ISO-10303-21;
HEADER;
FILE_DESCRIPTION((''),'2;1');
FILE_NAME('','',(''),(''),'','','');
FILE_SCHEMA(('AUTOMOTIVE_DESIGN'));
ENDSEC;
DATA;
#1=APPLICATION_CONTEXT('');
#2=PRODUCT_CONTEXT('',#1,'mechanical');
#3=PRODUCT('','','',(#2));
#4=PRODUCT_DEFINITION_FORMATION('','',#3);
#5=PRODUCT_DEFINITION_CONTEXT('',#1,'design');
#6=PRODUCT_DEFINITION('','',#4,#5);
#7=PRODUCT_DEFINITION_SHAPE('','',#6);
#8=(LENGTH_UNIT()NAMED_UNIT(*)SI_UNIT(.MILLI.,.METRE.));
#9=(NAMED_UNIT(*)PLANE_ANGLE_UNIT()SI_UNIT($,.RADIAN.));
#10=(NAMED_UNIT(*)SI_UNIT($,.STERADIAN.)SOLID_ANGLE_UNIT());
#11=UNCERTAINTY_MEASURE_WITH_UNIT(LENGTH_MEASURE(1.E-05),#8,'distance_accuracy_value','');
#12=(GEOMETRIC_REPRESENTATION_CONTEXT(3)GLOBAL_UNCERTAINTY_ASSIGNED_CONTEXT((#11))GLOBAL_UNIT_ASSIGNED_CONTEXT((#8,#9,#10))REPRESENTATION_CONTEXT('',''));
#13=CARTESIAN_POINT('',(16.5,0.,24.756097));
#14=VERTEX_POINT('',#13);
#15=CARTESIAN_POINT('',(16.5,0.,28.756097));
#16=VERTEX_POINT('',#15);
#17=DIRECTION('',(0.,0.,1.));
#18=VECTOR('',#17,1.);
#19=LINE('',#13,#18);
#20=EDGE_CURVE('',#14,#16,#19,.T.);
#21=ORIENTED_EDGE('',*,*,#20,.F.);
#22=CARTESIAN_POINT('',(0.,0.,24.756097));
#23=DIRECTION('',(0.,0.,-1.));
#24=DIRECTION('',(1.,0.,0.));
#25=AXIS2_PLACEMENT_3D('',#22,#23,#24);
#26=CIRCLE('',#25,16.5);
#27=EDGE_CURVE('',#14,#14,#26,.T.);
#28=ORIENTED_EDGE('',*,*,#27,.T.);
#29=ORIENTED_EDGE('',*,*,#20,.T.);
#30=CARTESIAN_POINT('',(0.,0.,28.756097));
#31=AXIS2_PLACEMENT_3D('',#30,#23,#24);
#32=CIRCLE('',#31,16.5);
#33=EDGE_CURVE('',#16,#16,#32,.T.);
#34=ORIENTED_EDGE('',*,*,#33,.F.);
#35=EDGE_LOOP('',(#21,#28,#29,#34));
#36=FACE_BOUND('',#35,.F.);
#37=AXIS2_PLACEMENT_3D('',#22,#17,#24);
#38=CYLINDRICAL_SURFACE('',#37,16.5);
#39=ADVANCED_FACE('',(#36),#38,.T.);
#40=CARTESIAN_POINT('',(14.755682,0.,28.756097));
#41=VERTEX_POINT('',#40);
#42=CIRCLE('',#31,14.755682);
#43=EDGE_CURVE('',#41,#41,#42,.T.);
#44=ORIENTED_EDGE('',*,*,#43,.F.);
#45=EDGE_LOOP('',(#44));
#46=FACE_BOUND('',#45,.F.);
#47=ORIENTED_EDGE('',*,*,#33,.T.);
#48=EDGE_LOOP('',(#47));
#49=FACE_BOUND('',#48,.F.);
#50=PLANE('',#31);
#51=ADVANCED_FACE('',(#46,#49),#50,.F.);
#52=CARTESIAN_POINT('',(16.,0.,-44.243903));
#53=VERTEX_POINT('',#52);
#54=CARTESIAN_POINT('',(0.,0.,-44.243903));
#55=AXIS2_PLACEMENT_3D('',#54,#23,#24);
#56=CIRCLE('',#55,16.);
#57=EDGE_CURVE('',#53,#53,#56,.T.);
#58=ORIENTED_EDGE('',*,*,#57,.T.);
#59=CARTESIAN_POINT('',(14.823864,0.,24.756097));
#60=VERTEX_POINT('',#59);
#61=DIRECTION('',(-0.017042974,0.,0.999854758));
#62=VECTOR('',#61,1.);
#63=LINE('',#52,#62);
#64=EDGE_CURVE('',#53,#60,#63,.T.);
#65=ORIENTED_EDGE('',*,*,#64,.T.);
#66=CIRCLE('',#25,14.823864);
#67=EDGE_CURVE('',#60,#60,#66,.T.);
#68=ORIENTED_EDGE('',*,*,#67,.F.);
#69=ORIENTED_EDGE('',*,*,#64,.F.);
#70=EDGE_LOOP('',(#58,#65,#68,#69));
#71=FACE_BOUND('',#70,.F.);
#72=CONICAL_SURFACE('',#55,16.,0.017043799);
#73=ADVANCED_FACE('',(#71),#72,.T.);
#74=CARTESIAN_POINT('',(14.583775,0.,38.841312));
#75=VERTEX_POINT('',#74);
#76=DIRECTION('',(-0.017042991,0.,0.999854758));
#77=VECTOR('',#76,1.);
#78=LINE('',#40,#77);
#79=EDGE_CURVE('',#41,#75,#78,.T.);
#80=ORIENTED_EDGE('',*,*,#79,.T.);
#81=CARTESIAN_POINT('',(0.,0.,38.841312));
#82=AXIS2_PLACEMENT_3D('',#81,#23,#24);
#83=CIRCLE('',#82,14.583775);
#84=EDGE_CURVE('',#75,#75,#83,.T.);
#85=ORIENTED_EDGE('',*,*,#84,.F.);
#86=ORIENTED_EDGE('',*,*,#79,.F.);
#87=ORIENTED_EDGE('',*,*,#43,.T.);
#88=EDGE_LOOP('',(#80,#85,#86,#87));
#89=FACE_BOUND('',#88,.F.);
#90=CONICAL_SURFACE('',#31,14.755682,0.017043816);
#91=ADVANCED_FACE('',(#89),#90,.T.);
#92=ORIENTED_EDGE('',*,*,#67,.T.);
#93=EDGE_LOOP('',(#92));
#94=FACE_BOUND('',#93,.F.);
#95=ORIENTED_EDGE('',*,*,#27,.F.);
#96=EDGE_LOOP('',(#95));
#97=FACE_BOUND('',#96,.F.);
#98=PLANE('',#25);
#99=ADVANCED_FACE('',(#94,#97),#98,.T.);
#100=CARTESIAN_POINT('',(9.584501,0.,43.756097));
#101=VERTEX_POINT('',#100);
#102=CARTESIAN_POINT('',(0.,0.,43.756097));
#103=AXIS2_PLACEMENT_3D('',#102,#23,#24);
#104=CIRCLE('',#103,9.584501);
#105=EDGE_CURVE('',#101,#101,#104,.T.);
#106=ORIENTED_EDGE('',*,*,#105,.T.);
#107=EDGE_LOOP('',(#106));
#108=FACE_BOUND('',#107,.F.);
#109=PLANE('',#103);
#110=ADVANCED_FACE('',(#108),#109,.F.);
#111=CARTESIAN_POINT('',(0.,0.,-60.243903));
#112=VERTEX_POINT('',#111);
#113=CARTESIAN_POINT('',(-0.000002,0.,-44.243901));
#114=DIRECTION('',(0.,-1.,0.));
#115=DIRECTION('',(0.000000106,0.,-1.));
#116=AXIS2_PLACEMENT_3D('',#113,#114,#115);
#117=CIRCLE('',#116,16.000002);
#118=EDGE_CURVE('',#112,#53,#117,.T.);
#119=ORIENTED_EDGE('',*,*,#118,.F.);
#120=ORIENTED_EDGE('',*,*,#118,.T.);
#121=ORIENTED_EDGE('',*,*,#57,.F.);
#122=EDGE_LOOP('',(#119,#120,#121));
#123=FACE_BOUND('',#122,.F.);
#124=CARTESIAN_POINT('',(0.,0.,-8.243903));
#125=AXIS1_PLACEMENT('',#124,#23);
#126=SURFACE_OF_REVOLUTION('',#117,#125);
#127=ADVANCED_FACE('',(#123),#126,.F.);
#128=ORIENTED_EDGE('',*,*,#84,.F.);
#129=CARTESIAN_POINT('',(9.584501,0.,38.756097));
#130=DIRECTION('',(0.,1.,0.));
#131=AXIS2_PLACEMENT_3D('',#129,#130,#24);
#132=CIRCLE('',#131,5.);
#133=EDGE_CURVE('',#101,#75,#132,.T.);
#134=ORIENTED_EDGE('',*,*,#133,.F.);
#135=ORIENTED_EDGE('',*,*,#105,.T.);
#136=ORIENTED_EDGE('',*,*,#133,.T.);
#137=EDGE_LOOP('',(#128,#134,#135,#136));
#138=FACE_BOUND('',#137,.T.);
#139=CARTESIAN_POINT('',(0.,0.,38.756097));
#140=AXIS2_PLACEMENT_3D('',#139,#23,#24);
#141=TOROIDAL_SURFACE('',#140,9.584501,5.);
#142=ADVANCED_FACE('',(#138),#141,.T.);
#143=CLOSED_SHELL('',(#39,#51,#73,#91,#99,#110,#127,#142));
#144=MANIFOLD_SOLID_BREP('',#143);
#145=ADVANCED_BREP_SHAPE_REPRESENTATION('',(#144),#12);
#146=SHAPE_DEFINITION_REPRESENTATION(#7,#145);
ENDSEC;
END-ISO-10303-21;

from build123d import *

# Parameters (mm, degrees)
F2_R = 5


with BuildPart() as f1:
    # F0 (on Front) → F1 (revolve)
    with BuildSketch(Plane.XZ):
        Polygon((14.5, 43.756097), (0, 43.756097), (0, -44.243903), (16, -44.243903), (14.823864, 24.756097), (14.755682, 28.756097), align=None)
        with BuildLine():
            Line((16, -44.243903), (0, -44.243903))
            Line((0, -44.243903), (0, -60.243903))
            ThreePointArc((0, -60.243903), (11.313708, -55.557611), (16, -44.243903))
        make_face()
        Polygon((16.5, 28.756097), (14.755682, 28.756097), (14.823864, 24.756097), (16.5, 24.756097), align=None)
    revolve(axis=Axis((0, 0, -8.243903), (0, 0, -1)))

    # F2
    f2_edges = [f1.edges().sort_by_distance(p)[0] for p in [
        (-14.5, 0, 43.756097),
    ]]
    fillet(f2_edges, radius=F2_R)


solid = f1.part
